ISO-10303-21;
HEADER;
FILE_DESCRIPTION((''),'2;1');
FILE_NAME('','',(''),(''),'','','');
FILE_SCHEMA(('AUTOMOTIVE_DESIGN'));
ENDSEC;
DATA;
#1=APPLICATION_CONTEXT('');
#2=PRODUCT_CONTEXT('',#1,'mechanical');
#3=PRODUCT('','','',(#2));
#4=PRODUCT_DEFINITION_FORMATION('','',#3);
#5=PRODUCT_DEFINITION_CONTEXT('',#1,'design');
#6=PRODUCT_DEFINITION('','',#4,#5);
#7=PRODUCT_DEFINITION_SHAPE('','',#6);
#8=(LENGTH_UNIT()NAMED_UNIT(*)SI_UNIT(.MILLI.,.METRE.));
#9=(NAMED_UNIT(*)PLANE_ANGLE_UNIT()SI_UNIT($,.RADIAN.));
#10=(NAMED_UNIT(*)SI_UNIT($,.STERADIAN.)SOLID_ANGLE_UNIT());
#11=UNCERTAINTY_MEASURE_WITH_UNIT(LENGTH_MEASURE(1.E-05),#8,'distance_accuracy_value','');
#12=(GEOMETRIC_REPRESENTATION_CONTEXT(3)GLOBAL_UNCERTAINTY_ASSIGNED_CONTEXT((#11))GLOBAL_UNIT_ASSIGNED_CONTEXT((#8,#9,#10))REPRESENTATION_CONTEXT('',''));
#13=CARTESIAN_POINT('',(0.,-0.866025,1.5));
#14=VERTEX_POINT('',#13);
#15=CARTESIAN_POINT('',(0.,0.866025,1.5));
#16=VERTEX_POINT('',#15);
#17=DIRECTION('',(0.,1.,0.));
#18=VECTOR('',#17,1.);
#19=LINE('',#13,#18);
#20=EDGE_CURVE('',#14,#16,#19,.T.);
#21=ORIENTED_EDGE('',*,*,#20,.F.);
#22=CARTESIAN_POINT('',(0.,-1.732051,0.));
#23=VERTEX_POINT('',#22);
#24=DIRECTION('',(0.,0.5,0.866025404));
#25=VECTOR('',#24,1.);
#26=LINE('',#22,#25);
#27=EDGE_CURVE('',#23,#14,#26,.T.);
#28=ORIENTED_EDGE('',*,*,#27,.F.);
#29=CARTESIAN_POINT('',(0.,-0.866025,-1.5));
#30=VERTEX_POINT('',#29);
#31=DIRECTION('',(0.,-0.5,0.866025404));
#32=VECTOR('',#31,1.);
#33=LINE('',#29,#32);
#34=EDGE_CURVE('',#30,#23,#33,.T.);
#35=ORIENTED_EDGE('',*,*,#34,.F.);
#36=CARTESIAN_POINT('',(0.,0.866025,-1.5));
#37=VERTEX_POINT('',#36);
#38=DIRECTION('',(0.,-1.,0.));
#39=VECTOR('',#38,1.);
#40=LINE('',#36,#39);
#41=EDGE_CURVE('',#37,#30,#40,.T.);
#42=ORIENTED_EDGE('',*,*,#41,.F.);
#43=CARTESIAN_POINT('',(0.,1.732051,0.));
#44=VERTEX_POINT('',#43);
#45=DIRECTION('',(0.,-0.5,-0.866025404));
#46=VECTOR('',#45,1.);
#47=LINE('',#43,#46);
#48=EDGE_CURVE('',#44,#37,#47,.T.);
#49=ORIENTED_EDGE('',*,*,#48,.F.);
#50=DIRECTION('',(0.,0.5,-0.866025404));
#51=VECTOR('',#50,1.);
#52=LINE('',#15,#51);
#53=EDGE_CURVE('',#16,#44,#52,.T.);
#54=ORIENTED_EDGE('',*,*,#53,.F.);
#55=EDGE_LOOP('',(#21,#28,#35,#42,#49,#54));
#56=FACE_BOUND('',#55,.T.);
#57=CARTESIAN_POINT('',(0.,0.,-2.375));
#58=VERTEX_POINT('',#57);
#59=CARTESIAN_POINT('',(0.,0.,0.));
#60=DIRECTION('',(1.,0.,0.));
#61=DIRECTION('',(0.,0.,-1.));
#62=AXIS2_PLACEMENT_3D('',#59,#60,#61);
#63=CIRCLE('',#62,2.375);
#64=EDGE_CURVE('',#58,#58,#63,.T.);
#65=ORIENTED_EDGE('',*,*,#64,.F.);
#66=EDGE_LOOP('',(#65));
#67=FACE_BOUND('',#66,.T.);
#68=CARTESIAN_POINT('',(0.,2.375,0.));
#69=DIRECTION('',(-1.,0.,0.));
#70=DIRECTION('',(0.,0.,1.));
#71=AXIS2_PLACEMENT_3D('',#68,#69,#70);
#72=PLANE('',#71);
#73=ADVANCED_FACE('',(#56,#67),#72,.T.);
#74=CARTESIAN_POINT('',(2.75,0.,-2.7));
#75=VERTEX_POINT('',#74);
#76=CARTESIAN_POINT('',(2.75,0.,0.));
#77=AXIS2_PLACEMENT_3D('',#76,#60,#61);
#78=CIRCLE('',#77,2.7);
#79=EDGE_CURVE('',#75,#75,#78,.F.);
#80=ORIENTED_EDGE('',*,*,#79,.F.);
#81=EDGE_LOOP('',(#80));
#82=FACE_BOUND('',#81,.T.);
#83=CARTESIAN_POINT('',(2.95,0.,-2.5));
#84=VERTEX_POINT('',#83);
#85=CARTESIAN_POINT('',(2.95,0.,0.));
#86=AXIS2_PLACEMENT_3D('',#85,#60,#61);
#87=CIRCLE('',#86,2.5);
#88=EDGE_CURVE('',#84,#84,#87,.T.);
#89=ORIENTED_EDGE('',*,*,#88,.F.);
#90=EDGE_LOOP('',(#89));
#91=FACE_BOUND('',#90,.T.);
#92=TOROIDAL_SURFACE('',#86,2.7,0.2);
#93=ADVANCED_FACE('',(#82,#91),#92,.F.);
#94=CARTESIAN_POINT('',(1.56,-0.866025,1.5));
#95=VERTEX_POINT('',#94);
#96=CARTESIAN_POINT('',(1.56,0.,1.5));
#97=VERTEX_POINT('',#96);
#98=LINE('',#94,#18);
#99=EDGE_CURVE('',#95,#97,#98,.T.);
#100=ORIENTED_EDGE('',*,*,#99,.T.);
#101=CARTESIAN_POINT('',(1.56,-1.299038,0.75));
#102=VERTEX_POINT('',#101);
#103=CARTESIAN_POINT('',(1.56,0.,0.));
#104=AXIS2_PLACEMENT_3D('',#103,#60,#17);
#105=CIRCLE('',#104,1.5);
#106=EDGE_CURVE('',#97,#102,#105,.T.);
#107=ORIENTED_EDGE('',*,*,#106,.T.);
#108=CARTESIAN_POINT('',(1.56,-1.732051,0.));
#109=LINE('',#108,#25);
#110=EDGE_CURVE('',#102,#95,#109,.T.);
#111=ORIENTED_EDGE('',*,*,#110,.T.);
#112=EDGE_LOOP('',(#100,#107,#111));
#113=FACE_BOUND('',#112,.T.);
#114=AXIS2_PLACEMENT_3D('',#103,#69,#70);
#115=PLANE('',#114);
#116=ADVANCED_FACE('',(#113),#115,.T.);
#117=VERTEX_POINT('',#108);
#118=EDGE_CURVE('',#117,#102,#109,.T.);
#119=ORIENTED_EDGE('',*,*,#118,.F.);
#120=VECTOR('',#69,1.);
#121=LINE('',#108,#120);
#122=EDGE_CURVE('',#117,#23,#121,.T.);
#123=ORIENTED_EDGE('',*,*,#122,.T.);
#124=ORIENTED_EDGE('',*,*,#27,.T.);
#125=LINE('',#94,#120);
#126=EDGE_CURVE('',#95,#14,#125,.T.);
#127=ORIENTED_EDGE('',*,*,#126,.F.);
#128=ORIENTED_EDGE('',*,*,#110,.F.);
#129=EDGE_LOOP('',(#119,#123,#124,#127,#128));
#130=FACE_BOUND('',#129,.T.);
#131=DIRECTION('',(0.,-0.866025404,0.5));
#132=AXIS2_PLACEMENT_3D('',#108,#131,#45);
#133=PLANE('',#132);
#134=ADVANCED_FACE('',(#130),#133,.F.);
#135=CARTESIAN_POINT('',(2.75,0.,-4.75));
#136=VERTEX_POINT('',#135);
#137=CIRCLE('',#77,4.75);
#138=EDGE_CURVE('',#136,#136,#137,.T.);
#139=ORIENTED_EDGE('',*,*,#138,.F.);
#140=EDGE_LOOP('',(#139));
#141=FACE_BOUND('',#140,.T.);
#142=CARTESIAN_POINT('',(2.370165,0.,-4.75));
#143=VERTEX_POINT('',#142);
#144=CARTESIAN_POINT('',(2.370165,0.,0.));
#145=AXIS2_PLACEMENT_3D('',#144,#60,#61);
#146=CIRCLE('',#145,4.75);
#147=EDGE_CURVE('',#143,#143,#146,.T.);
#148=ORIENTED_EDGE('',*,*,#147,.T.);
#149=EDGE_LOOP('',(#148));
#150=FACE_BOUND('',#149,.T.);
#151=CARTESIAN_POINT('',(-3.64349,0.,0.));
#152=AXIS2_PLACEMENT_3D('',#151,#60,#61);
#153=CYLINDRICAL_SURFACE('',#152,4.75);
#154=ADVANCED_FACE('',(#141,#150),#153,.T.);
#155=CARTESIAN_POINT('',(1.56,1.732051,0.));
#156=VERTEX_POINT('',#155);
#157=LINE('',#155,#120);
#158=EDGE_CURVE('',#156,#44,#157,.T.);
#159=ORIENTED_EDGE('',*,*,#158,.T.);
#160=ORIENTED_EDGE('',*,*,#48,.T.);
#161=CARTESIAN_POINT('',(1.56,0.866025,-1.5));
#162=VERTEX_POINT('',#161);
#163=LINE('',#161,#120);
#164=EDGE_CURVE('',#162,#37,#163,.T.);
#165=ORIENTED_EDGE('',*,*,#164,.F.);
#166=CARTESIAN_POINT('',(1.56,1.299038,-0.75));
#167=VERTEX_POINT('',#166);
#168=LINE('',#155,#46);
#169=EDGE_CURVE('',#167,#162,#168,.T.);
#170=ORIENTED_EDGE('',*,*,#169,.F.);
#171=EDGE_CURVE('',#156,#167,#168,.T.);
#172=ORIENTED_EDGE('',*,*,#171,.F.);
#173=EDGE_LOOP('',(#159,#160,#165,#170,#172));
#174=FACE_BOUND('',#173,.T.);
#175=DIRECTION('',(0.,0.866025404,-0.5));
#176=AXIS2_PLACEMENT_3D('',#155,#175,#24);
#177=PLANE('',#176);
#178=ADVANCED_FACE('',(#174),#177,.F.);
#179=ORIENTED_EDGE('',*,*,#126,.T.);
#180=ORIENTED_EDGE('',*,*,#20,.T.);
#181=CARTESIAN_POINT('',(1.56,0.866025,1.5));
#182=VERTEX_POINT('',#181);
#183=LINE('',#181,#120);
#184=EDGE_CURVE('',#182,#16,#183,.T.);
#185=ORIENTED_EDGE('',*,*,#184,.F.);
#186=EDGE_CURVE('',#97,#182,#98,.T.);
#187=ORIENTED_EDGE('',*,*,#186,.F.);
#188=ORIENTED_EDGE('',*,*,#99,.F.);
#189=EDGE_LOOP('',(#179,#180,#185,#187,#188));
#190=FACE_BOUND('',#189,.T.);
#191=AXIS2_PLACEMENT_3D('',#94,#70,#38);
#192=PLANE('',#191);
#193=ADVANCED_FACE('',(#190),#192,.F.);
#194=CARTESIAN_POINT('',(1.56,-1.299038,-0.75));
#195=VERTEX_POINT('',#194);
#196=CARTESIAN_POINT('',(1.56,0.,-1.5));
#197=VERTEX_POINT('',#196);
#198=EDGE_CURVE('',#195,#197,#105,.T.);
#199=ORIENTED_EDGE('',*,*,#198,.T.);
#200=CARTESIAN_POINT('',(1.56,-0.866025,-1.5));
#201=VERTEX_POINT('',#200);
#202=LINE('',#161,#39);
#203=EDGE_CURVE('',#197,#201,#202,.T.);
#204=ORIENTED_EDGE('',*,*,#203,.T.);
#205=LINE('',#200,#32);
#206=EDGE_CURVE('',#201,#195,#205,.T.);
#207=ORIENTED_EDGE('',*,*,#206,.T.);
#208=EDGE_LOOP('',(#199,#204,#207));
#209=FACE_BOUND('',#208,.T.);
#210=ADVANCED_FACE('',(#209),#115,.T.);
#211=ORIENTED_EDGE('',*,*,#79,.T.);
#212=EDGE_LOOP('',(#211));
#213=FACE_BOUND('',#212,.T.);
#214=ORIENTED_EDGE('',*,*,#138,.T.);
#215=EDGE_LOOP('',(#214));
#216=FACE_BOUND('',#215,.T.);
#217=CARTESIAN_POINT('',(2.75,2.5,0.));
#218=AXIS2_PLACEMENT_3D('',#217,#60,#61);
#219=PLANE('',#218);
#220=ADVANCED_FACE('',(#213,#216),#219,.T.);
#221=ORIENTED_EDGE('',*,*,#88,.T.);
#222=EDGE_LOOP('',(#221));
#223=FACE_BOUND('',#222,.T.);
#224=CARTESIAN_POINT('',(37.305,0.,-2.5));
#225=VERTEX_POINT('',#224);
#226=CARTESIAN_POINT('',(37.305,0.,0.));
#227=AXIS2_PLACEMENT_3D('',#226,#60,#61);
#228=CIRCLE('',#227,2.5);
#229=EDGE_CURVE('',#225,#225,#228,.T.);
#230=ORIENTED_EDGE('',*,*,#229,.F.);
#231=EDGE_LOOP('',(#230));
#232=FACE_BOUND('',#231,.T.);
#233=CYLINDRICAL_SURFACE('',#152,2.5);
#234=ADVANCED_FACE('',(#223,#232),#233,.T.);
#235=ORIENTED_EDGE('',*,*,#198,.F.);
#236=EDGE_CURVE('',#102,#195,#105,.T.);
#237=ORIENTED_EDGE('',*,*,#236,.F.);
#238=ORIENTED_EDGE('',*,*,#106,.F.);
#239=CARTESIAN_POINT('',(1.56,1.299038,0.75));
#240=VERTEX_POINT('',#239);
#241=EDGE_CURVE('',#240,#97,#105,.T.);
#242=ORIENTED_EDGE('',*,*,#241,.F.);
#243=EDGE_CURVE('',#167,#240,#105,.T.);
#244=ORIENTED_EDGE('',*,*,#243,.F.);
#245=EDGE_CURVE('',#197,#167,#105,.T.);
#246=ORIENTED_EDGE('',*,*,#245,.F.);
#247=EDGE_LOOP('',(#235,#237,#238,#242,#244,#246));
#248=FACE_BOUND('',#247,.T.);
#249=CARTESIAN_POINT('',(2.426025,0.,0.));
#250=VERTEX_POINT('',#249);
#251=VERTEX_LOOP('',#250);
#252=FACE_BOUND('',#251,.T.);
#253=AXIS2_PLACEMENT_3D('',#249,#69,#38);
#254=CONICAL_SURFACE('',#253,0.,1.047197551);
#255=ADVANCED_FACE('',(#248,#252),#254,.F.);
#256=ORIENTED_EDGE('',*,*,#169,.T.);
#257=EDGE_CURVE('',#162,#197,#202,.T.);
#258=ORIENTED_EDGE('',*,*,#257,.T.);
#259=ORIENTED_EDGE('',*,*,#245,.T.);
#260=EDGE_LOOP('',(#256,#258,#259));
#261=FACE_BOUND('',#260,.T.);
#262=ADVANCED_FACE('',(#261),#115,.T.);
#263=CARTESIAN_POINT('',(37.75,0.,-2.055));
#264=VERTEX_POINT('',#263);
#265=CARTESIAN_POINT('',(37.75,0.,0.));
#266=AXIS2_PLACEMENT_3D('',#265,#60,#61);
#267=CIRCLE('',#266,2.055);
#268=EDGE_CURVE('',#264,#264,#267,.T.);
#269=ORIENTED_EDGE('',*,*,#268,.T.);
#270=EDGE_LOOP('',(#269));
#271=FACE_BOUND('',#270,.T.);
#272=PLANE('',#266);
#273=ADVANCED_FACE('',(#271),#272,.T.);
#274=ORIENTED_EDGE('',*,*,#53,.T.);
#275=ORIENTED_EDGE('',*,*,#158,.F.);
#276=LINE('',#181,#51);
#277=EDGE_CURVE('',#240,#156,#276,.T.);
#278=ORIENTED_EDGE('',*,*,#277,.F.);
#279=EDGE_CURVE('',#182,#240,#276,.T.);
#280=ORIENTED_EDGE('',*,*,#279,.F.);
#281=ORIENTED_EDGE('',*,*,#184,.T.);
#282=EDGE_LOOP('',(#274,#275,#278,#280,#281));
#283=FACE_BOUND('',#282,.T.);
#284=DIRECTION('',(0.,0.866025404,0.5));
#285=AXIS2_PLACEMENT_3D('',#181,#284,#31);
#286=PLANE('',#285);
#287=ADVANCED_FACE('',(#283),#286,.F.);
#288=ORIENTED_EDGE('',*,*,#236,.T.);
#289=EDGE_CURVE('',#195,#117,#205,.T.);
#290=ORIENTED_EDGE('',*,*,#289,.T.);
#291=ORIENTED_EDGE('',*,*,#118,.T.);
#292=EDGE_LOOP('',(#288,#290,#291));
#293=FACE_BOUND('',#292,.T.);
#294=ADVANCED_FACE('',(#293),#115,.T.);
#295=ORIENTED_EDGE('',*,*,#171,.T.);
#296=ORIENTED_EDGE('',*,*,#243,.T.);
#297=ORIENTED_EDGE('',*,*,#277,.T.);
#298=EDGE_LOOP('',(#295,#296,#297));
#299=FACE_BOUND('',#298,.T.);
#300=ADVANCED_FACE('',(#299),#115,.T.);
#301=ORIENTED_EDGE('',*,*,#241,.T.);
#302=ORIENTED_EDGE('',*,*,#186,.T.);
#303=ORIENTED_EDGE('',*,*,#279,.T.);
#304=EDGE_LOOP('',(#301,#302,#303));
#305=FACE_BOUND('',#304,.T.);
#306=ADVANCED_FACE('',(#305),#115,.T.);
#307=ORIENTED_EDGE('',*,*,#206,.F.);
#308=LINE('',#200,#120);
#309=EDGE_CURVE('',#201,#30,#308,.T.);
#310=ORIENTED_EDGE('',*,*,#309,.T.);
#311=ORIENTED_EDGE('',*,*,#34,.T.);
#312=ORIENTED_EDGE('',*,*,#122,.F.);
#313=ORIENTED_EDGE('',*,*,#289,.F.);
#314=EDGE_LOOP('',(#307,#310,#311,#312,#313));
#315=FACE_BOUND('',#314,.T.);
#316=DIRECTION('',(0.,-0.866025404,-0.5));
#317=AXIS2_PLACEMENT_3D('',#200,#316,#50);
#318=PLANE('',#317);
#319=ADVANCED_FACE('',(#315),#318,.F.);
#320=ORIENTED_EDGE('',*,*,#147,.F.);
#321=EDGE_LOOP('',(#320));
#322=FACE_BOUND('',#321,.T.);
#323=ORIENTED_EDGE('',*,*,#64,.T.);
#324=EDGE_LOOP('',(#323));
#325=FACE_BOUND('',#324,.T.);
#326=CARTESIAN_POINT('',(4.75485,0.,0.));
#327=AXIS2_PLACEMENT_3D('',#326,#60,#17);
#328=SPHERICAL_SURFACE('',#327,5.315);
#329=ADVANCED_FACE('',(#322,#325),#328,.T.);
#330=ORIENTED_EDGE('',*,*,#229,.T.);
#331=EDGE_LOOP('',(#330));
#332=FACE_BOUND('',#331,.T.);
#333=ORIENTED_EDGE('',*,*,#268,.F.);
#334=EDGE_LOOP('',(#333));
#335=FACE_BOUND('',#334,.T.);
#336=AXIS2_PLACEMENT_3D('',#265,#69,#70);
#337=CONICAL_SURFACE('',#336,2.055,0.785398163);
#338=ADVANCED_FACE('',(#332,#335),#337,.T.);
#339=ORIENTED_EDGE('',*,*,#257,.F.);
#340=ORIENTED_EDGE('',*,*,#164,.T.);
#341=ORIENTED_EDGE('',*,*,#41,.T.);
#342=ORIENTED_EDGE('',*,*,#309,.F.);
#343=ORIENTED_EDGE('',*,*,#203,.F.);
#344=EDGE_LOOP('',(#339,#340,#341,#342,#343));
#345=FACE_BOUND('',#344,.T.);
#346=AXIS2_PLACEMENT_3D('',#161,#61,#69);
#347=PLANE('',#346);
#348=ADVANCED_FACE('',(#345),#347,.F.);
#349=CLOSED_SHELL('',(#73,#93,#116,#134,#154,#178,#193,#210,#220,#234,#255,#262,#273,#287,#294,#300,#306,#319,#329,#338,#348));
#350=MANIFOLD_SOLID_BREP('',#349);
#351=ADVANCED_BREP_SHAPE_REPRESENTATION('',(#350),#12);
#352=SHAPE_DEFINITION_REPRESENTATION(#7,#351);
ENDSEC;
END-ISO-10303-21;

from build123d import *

# Parameters (mm, degrees)
FILLET_1_R  = 0.2
HEX_2_DEPTH = 1.56


with BuildPart() as part:
    # Эскиз1 → Body (revolve)
    with BuildSketch(Plane.XY):
        with BuildLine():
            Line((0, 2.375), (0, 0))
            Line((0, 0), (37.75, 0))
            Line((37.75, 0), (37.75, 2.055))
            Line((37.75, 2.055), (37.305, 2.5))
            Line((37.305, 2.5), (2.75, 2.5))
            Line((2.75, 2.5), (2.75, 4.75))
            Line((2.75, 4.75), (2.370164642, 4.75))
            ThreePointArc((2.370164642, 4.75), (0.992749859, 3.754440885), (0, 2.375))
        make_face()
    revolve(axis=Axis((-3.643489966, 0, 0), (-1, 0, 0)))

    # Скругление1
    fillet_1_edges = [part.edges().sort_by_distance(p)[0] for p in [
        (2.75, -2.5, 0),
    ]]
    fillet(fillet_1_edges, radius=FILLET_1_R)

    # Эскиз2 → Вырез-Повернуть1 (revolve, cut)
    with BuildSketch(Plane.XY):
        Polygon((0, 0), (0, 1.5), (1.56, 1.5), (2.426025404, 0), align=None)
    revolve(axis=Axis((2.426025404, 0, 0), (-1, 0, 0)), mode=Mode.SUBTRACT)

    # Эскиз3 → Hex 2 (cut)
    with BuildSketch(Plane.ZY):
        Polygon((-1.5, -0.866025404), (0, -1.732050808), (1.5, -0.866025404), (1.5, 0.866025404), (0, 1.732050808), (-1.5, 0.866025404), align=None)
    extrude(amount=-HEX_2_DEPTH, mode=Mode.SUBTRACT)


solid = part.part
